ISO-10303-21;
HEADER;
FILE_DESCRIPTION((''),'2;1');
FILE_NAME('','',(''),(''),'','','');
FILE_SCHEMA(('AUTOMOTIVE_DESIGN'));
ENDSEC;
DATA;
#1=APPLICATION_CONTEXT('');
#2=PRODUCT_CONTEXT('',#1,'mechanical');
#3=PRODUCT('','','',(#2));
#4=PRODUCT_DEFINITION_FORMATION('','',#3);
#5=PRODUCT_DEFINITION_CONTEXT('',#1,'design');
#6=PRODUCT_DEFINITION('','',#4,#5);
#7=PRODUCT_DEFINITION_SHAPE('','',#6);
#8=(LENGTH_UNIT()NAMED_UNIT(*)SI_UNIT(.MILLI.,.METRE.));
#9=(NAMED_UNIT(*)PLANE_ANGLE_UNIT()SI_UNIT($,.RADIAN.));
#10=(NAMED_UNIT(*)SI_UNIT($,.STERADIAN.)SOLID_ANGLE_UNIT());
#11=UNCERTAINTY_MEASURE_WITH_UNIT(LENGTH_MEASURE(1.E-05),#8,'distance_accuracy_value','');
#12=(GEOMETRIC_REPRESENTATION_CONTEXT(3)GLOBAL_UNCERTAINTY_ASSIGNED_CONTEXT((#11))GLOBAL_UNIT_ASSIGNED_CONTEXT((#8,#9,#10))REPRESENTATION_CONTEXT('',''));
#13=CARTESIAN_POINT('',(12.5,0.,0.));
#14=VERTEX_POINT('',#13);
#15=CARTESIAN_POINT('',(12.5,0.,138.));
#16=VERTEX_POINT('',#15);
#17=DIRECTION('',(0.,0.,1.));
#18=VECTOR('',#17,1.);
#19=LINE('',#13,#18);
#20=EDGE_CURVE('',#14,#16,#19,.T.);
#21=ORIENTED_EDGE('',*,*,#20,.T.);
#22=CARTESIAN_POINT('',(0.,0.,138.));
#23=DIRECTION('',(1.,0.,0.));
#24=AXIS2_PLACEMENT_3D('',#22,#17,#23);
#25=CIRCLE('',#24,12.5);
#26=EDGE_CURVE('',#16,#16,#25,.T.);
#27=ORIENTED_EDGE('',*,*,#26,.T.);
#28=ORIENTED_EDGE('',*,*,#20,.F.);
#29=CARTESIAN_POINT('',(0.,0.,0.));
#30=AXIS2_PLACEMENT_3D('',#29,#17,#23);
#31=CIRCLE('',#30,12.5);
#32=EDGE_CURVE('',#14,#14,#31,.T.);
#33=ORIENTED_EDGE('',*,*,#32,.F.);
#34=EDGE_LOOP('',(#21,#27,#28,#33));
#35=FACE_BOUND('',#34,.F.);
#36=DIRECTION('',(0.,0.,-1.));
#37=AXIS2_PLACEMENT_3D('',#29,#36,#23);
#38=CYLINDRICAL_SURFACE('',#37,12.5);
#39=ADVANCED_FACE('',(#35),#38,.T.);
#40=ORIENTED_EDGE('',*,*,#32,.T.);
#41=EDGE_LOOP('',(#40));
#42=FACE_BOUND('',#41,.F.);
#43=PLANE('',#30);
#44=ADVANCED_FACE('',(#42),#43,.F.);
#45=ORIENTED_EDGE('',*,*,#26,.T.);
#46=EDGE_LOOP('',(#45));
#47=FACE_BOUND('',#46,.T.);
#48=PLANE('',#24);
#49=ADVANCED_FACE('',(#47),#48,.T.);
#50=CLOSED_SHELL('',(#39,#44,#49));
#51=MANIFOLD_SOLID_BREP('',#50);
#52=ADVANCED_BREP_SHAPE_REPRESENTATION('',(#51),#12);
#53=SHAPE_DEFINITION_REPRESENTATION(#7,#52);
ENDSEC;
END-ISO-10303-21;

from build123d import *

# Parameters (mm, degrees)
CYLINDER_R     = 12.5
CYLINDER_DEPTH = 138


with BuildPart() as part:
    # Cylinder → Cylinder (new body)
    with BuildSketch(Plane.XY):
        Circle(CYLINDER_R)
    extrude(amount=CYLINDER_DEPTH)


solid = part.part
